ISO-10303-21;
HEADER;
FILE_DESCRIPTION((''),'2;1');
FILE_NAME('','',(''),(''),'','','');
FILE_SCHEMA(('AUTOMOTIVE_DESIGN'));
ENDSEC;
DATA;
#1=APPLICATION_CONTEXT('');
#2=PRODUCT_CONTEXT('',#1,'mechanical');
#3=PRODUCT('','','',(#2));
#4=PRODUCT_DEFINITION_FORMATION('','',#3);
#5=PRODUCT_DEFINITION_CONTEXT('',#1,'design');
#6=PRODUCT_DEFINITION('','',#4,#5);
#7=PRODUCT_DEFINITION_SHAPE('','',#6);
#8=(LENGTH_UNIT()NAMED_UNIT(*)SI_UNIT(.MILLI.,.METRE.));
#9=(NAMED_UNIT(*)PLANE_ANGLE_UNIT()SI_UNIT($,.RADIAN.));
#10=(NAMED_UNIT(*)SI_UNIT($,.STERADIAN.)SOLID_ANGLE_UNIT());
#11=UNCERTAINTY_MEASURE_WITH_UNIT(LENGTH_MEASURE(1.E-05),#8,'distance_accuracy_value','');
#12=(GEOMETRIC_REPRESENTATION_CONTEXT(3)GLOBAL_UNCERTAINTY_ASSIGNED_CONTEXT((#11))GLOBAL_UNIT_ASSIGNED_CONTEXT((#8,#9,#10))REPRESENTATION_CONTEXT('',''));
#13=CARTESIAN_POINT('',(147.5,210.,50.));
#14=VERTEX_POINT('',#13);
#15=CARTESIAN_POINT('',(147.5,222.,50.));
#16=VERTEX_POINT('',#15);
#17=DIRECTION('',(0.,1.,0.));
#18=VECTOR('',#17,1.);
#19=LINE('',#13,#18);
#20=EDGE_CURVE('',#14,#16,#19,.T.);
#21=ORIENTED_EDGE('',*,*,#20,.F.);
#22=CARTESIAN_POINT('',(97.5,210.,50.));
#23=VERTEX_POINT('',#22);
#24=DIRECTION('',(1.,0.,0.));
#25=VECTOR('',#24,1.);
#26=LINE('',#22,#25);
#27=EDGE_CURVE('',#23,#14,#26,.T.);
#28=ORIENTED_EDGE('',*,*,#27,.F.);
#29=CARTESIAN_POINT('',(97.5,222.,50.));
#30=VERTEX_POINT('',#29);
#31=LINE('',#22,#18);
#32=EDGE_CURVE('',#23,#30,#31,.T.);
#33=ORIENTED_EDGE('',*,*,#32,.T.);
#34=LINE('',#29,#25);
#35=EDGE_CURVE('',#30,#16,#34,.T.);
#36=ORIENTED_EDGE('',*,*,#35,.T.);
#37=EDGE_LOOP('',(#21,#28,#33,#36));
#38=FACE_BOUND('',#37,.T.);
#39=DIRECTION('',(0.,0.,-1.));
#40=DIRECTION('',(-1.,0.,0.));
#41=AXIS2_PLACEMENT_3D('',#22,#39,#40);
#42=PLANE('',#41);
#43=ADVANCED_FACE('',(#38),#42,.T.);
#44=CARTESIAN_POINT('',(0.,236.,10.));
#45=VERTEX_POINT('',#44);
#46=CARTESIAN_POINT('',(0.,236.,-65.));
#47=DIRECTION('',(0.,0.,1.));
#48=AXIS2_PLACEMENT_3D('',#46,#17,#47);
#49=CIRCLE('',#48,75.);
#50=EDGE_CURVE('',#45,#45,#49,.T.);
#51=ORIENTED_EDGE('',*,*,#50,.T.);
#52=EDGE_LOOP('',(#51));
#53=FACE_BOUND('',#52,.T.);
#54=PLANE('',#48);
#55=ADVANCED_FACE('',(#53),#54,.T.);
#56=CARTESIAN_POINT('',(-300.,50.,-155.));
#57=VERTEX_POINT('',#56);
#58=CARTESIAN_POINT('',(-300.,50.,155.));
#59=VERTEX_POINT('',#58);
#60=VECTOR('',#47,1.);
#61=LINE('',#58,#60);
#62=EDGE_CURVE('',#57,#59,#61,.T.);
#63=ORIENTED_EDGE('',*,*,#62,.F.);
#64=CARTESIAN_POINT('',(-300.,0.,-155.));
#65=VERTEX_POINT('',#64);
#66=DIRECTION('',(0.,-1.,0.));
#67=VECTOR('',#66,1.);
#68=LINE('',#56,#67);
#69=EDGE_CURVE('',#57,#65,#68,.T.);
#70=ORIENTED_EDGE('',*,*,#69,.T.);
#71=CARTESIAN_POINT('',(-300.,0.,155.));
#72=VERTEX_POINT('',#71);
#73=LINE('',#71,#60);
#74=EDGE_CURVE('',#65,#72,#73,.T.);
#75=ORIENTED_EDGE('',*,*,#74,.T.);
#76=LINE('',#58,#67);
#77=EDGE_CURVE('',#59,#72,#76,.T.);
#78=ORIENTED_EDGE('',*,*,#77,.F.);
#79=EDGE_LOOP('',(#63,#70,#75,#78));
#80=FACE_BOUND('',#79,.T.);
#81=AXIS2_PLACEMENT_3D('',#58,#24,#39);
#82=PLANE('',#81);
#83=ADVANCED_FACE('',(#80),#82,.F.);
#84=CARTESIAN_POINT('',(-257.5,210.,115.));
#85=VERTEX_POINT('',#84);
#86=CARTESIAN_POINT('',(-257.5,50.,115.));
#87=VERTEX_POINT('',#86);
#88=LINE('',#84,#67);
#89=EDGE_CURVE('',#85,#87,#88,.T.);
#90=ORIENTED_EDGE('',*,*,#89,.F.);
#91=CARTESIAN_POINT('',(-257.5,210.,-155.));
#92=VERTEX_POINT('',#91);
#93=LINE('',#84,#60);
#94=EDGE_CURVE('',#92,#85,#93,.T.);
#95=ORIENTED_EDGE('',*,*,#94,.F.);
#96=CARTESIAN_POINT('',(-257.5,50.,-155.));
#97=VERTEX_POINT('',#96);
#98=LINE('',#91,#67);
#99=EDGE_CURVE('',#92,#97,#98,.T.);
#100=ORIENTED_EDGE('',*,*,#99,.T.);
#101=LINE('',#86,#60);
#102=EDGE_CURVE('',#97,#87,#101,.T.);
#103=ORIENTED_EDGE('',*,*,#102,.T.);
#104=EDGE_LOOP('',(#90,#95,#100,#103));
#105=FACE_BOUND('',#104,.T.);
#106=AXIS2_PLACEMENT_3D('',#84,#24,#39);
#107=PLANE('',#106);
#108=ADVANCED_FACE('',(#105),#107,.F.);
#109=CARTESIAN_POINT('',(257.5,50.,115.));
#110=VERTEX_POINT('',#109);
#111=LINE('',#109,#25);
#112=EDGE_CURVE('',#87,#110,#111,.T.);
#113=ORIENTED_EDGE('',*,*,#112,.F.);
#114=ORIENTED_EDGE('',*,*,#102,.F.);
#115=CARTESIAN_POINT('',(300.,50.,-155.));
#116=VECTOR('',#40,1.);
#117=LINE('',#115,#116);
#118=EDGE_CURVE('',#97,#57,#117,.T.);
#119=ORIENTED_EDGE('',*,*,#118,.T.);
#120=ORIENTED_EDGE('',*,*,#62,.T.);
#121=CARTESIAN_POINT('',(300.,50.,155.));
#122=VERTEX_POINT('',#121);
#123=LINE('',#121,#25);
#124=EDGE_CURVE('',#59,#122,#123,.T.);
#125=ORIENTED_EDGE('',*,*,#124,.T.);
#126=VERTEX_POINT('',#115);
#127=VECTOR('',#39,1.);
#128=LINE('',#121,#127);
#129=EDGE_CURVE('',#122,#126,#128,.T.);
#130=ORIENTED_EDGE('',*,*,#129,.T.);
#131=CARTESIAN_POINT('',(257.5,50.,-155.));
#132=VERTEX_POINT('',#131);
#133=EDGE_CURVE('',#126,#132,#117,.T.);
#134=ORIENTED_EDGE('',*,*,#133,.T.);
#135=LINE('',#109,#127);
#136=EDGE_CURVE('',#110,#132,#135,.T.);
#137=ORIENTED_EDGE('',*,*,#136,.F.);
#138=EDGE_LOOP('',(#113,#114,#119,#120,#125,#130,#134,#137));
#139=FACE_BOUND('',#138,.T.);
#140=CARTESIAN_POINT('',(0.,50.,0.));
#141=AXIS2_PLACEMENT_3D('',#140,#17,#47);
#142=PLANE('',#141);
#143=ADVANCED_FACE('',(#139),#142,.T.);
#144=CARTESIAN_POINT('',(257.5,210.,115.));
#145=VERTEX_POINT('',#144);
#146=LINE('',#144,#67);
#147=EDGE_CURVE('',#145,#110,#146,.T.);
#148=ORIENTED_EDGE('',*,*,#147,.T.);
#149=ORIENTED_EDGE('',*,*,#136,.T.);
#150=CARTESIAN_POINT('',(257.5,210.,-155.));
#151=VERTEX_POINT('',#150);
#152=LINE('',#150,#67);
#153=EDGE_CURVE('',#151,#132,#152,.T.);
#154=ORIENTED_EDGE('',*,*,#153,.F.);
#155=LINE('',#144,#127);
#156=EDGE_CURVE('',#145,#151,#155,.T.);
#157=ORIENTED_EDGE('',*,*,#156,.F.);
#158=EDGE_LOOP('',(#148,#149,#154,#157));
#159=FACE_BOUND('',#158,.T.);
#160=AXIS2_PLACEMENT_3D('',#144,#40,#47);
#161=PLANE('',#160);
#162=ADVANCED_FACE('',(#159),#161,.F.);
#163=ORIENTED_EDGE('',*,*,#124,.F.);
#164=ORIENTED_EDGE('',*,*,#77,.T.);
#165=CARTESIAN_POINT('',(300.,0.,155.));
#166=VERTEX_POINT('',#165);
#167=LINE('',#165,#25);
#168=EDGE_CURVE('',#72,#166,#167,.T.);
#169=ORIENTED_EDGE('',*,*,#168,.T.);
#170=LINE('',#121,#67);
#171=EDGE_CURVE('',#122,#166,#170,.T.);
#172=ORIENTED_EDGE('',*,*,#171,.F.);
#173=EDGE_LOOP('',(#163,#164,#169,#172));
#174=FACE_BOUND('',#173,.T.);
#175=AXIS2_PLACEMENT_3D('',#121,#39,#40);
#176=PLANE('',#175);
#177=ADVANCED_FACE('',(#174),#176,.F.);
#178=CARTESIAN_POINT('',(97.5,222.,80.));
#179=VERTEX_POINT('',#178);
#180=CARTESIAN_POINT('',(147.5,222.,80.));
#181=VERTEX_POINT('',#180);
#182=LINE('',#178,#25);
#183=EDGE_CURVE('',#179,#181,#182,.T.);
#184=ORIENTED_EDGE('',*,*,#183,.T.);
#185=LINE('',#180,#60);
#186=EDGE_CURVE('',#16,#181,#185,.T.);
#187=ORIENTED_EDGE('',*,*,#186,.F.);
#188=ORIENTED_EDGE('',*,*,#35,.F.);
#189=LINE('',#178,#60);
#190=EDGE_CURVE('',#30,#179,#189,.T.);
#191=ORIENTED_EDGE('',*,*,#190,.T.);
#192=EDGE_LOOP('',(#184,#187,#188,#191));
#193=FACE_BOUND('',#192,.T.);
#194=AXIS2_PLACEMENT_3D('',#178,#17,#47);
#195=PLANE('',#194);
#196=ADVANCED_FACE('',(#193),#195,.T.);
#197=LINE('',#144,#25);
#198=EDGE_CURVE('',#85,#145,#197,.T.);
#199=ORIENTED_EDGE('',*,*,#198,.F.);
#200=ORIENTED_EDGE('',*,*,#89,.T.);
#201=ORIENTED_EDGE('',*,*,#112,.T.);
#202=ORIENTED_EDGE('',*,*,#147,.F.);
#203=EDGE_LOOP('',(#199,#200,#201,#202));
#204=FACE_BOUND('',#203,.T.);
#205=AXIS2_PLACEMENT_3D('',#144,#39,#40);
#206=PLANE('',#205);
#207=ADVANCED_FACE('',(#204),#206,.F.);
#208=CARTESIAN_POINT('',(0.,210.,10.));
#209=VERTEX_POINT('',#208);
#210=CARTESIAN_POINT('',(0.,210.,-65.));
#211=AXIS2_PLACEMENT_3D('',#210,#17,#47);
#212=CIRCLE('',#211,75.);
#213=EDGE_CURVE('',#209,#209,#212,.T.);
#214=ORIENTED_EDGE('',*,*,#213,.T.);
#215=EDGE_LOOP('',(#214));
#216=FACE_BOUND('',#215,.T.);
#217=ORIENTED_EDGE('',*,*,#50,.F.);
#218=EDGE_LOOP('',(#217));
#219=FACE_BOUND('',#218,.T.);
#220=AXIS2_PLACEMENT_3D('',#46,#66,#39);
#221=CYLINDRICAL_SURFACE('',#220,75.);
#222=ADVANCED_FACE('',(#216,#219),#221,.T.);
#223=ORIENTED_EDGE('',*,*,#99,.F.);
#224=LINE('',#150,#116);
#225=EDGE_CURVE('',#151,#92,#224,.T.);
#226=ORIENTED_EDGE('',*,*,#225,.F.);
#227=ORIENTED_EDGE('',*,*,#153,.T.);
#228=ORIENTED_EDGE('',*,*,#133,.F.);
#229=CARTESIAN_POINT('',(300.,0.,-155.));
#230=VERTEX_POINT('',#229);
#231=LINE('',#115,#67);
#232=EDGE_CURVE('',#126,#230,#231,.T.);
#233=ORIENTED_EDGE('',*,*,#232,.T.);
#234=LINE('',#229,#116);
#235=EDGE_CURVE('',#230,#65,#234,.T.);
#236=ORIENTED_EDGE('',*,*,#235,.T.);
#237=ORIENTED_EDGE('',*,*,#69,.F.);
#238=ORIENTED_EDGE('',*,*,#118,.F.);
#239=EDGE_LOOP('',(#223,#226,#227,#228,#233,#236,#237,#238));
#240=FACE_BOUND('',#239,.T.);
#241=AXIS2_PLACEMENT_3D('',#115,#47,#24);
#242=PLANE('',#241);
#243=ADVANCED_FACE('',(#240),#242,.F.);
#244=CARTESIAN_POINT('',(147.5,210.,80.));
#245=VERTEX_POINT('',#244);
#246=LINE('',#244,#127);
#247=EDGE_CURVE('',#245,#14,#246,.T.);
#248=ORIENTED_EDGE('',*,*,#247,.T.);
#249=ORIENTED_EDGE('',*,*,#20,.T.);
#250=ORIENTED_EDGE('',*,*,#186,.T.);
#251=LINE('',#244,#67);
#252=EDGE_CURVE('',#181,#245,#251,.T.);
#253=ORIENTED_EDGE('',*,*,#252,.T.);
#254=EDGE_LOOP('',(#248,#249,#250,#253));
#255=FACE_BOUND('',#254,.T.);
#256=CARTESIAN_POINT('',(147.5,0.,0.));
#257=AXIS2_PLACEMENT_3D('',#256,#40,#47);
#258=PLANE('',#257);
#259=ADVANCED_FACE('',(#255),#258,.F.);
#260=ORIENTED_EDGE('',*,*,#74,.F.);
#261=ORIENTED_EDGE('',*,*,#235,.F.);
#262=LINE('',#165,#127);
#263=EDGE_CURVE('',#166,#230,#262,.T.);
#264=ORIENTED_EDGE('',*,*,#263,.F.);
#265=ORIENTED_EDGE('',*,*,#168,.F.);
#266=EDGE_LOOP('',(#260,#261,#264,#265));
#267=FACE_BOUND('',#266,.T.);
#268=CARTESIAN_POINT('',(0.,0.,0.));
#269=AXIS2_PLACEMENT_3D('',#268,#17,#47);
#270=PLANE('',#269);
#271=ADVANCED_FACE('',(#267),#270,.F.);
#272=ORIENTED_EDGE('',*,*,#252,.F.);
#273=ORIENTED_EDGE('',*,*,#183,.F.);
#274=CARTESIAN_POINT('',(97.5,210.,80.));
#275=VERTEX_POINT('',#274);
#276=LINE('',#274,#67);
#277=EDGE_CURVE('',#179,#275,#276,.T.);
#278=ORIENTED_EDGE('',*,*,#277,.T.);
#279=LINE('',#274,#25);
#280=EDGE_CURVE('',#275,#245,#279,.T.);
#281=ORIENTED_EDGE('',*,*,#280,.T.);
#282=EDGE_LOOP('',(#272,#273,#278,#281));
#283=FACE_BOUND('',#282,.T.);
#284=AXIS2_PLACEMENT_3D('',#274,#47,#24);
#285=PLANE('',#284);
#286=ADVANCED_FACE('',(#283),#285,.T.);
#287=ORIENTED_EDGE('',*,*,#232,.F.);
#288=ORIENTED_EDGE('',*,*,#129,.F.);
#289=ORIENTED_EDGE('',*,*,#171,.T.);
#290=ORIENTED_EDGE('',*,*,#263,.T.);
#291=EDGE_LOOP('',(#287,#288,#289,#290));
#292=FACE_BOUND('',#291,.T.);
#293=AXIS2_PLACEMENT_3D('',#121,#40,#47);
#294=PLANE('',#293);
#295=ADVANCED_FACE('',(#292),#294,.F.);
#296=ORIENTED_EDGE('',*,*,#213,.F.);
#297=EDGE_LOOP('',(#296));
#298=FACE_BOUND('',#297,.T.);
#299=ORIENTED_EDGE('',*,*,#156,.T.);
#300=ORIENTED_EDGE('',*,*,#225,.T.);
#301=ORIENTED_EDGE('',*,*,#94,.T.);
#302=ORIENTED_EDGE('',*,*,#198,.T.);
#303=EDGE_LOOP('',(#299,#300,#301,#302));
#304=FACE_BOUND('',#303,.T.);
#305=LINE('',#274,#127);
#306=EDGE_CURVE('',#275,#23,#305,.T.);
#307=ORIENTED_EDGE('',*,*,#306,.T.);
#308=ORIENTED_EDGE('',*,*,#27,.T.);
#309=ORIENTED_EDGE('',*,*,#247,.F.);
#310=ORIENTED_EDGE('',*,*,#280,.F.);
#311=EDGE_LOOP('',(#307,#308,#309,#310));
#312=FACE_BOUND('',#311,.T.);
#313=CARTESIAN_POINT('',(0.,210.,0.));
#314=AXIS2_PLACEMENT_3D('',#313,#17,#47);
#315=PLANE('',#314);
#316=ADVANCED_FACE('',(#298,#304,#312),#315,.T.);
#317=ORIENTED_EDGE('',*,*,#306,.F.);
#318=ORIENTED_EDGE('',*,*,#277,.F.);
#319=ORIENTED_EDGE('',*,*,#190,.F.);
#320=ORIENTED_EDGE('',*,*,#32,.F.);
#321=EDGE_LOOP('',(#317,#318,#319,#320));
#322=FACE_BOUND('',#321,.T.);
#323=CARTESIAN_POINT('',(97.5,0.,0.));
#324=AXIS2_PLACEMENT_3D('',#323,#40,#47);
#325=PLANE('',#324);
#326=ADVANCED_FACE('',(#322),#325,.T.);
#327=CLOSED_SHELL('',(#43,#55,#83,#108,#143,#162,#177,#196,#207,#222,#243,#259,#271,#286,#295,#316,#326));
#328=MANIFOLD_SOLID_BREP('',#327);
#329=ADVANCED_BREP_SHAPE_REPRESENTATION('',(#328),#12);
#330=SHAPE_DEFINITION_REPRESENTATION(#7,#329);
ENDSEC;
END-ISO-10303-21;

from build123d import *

# Parameters (mm, degrees)
SKETCH1_W           = 600
SKETCH1_H           = 310
BOSS_EXTRUDE1_DEPTH = 50
SKETCH2_W           = 515
SKETCH2_H           = 270
BOSS_EXTRUDE2_DEPTH = 160
SKETCH3_R           = 75
BOSS_EXTRUDE3_DEPTH = 26
SKETCH4_W           = 30
SKETCH4_H           = 12
BOSS_EXTRUDE4_DEPTH = 50


with BuildPart() as part:
    # Sketch1 → Boss-Extrude1 (new body)
    with BuildSketch(Plane(origin=(0, 0, 0), x_dir=(1, 0, 0), z_dir=(0, 1, 0))):
        Rectangle(SKETCH1_W, SKETCH1_H)
    extrude(amount=BOSS_EXTRUDE1_DEPTH)

    # Sketch2 → Boss-Extrude2 (add)
    with BuildSketch(Plane(origin=(0, 50, 0), x_dir=(1, 0, 0), z_dir=(0, 1, 0))):
        with Locations((0, 20)):
            Rectangle(SKETCH2_W, SKETCH2_H)
    extrude(amount=BOSS_EXTRUDE2_DEPTH)

    # Sketch3 → Boss-Extrude3 (add)
    with BuildSketch(Plane(origin=(0, 210, 0), x_dir=(1, 0, 0), z_dir=(0, 1, 0))):
        with Locations((0, 65)):
            Circle(SKETCH3_R)
    extrude(amount=BOSS_EXTRUDE3_DEPTH)

    # Sketch4 → Boss-Extrude4 (add)
    with BuildSketch(Plane(origin=(147.5, 0, 0), x_dir=(0, 0, -1), z_dir=(1, 0, 0))):
        with Locations((-65, 216)):
            Rectangle(SKETCH4_W, SKETCH4_H)
    extrude(amount=-BOSS_EXTRUDE4_DEPTH)


solid = part.part
